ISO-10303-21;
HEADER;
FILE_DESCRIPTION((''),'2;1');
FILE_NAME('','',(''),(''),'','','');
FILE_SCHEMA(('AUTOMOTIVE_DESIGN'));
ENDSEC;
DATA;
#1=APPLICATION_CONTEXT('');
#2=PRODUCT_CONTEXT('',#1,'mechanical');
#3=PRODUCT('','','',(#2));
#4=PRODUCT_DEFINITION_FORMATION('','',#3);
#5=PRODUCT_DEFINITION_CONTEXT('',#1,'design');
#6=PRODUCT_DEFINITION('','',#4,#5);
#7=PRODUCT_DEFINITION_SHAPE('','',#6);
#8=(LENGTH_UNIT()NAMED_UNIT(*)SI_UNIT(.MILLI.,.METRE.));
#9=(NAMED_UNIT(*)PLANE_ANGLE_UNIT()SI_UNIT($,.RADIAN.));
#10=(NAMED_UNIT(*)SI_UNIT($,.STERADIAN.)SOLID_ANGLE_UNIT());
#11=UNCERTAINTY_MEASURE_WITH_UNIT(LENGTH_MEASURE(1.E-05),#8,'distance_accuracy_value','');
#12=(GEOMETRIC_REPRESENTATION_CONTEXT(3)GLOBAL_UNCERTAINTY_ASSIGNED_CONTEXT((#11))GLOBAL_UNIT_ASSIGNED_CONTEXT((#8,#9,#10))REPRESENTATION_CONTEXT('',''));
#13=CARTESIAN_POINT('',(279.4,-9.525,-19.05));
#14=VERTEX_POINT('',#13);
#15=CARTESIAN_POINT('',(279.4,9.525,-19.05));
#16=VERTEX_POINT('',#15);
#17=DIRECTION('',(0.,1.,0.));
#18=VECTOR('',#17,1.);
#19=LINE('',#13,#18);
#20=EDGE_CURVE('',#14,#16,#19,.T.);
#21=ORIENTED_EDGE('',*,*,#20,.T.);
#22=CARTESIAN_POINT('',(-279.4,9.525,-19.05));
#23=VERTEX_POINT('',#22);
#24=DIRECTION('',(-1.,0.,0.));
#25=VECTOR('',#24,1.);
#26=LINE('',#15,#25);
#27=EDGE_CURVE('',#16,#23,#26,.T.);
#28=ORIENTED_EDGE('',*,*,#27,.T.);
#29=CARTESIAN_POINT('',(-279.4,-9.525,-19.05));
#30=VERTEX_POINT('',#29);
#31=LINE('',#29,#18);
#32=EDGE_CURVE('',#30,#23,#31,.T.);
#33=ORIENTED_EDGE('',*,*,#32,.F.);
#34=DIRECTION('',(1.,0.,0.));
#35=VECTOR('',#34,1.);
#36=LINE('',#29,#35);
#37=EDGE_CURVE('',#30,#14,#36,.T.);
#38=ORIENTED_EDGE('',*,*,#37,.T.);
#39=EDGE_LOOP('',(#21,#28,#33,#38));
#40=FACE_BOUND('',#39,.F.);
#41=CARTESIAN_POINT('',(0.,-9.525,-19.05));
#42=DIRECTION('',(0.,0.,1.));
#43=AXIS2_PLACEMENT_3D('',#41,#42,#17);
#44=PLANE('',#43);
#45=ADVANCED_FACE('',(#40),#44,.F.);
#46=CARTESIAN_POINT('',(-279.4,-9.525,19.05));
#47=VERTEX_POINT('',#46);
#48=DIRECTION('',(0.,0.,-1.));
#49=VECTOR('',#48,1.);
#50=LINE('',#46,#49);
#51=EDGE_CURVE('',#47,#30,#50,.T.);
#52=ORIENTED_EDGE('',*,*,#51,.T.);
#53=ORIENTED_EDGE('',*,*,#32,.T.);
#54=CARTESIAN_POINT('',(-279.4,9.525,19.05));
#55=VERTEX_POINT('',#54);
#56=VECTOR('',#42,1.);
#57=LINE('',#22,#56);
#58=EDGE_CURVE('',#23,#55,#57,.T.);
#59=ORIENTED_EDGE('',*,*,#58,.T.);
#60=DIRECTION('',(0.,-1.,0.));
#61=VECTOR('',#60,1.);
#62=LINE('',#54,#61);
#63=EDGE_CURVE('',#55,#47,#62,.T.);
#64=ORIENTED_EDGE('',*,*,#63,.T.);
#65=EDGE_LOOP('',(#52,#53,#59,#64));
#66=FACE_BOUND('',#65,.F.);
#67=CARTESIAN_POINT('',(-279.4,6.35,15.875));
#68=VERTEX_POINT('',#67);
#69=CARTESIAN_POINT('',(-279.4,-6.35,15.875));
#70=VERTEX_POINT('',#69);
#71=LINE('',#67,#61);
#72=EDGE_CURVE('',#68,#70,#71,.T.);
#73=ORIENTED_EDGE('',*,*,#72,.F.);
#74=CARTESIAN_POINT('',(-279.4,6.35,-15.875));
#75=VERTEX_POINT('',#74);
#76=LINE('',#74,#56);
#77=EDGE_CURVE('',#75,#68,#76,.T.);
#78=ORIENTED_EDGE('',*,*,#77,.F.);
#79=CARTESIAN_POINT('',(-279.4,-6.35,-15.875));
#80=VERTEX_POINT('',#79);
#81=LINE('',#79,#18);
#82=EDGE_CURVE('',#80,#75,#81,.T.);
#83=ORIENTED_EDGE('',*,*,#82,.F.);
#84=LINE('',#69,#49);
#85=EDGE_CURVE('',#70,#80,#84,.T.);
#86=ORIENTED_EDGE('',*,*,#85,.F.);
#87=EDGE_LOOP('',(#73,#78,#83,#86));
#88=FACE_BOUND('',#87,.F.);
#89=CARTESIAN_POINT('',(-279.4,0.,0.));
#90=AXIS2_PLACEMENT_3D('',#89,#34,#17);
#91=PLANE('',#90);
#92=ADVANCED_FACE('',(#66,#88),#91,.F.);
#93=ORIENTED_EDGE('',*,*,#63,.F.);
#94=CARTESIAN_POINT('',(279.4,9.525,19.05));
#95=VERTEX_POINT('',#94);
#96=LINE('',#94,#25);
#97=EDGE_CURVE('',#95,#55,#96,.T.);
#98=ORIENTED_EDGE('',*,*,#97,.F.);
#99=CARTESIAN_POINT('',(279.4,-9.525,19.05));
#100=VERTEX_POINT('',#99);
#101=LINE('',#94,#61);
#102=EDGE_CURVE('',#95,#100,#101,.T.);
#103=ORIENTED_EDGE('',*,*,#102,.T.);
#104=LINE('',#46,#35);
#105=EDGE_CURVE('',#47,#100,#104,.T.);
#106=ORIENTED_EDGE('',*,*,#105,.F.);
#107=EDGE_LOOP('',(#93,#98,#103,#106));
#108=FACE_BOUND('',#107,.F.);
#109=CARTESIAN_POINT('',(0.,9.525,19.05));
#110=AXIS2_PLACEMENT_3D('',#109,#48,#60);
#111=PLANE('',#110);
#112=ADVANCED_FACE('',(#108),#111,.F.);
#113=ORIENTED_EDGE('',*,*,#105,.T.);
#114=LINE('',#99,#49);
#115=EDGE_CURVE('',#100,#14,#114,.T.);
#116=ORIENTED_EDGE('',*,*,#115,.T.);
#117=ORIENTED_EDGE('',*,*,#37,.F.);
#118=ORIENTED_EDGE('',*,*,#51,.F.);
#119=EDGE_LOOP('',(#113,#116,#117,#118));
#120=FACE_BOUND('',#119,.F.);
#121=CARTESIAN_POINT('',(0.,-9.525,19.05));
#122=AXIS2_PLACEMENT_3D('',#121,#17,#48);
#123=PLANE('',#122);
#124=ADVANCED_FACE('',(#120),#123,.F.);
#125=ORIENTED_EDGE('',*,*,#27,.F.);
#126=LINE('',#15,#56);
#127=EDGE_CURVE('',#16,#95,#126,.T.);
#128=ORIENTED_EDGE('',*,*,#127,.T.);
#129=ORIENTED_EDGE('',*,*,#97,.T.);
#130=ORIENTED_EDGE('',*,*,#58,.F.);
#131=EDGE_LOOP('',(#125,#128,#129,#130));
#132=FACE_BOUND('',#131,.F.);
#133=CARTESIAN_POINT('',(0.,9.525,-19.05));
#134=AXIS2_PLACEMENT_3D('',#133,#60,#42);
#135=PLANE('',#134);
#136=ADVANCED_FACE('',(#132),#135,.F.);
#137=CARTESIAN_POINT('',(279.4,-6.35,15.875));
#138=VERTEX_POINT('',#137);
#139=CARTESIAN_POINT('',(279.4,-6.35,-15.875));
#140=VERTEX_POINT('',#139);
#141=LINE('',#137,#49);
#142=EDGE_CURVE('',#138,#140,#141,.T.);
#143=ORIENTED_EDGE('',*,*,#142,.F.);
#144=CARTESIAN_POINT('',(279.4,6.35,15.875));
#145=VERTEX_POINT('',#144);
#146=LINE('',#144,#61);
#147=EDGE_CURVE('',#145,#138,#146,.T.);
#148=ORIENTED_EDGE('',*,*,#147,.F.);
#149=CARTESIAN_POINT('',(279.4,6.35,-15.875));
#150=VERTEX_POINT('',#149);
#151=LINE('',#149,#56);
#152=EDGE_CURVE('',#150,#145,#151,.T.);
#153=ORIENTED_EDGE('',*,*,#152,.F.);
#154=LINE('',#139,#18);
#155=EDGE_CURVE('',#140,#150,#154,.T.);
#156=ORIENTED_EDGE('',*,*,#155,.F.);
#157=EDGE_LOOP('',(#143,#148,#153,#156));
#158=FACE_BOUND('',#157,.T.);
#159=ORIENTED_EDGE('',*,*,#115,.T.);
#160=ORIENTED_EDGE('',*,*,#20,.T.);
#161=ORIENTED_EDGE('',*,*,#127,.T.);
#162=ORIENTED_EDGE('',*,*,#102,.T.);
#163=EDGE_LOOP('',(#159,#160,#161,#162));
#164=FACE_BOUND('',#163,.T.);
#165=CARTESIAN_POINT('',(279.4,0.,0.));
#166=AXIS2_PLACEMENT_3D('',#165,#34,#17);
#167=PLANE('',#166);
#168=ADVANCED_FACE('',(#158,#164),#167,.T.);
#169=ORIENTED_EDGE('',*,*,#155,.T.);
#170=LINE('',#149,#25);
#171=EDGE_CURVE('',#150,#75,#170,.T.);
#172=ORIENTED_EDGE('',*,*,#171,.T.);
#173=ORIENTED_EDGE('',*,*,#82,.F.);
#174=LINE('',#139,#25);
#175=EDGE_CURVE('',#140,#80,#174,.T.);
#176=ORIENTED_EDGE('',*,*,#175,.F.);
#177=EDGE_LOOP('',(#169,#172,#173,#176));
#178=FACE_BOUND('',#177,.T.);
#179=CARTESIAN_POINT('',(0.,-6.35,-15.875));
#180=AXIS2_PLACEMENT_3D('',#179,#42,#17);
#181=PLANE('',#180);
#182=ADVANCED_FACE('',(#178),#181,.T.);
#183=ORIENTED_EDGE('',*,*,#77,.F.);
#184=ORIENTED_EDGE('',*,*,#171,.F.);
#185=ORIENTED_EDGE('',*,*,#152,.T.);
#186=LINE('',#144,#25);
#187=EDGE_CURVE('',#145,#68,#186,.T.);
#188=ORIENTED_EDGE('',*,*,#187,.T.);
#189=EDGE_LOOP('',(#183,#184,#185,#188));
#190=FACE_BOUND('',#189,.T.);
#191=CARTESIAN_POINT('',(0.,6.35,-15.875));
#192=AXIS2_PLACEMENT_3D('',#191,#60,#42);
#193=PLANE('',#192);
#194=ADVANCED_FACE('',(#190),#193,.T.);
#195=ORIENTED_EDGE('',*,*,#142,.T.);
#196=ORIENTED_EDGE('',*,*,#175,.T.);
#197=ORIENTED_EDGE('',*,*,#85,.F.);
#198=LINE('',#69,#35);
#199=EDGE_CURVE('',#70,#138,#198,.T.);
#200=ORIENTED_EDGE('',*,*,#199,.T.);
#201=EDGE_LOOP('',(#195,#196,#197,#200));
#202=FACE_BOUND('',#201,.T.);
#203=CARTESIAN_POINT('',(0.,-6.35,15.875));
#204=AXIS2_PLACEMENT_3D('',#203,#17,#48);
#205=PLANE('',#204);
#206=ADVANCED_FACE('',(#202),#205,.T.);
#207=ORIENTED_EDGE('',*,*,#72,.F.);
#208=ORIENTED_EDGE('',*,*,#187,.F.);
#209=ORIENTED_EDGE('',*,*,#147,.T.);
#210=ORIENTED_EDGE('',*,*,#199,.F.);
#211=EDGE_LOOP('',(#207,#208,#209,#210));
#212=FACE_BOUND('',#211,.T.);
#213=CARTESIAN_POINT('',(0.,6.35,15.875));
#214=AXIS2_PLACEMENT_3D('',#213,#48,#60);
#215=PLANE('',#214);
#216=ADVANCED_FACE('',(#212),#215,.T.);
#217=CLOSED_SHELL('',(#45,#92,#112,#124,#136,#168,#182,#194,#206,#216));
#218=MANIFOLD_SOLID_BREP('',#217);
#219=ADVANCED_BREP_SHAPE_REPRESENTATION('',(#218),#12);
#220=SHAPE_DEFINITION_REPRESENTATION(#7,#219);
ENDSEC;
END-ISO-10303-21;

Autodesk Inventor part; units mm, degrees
ref_plane "YZ Plane" through (0, 0, 0) normal (1, 0, 0) x (0, 1, 0)
ref_plane "XZ Plane" through (0, 0, 0) normal (0, 1, 0) x (-1, 0, 0)
ref_plane "XY Plane" through (0, 0, 0) normal (0, 0, 1) x (1, 0, 0)
sketch "Sketch1" plane through (0, 0, 0) normal (1, 0, 0) x (0, 1, 0)
  line L0 (-9.525, 19.05) -> (-9.525, -19.05)
  line L1 (-9.525, -19.05) -> (9.525, -19.05)
  line L2 (9.525, -19.05) -> (9.525, 19.05)
  line L3 (9.525, 19.05) -> (-9.525, 19.05)
  line L4 (-9.525, 19.05) -> (9.525, -19.05) construction
  line L5 (-9.525, -19.05) -> (9.525, 19.05) construction
  line L6 (-6.35, 15.875) -> (-6.35, -15.875)
  line L7 (-6.35, -15.875) -> (6.35, -15.875)
  line L8 (6.35, -15.875) -> (6.35, 15.875)
  line L9 (6.35, 15.875) -> (-6.35, 15.875)
  line L10 (-6.35, 15.875) -> (6.35, -15.875) construction
  line L11 (-6.35, -15.875) -> (6.35, 15.875) construction
  point P0 (0, 0)
  dimension "d0" = 19.05
  dimension "d1" = 38.1
  dimension "d2" = 3.175
  dimension "d3" = 3.175
extrude "Extrusion1" add sketch "Sketch1" along normal mid plane 558.8
equation "\"d0\" = width"
equation "\"d1\" = height"
equation "\"d2\" = wallThickness"
equation "\"d3\" = wallThickness"
equation "\"d4\" = length"
equation "\"width\" = 19.05"
equation "\"height\" = 38.1"
equation "\"length\" = 558.8"
equation "\"wallThickness\" = 3.175"
properties part number "3_4x1_1_2_alumTubing" material "Aluminum 6061"
